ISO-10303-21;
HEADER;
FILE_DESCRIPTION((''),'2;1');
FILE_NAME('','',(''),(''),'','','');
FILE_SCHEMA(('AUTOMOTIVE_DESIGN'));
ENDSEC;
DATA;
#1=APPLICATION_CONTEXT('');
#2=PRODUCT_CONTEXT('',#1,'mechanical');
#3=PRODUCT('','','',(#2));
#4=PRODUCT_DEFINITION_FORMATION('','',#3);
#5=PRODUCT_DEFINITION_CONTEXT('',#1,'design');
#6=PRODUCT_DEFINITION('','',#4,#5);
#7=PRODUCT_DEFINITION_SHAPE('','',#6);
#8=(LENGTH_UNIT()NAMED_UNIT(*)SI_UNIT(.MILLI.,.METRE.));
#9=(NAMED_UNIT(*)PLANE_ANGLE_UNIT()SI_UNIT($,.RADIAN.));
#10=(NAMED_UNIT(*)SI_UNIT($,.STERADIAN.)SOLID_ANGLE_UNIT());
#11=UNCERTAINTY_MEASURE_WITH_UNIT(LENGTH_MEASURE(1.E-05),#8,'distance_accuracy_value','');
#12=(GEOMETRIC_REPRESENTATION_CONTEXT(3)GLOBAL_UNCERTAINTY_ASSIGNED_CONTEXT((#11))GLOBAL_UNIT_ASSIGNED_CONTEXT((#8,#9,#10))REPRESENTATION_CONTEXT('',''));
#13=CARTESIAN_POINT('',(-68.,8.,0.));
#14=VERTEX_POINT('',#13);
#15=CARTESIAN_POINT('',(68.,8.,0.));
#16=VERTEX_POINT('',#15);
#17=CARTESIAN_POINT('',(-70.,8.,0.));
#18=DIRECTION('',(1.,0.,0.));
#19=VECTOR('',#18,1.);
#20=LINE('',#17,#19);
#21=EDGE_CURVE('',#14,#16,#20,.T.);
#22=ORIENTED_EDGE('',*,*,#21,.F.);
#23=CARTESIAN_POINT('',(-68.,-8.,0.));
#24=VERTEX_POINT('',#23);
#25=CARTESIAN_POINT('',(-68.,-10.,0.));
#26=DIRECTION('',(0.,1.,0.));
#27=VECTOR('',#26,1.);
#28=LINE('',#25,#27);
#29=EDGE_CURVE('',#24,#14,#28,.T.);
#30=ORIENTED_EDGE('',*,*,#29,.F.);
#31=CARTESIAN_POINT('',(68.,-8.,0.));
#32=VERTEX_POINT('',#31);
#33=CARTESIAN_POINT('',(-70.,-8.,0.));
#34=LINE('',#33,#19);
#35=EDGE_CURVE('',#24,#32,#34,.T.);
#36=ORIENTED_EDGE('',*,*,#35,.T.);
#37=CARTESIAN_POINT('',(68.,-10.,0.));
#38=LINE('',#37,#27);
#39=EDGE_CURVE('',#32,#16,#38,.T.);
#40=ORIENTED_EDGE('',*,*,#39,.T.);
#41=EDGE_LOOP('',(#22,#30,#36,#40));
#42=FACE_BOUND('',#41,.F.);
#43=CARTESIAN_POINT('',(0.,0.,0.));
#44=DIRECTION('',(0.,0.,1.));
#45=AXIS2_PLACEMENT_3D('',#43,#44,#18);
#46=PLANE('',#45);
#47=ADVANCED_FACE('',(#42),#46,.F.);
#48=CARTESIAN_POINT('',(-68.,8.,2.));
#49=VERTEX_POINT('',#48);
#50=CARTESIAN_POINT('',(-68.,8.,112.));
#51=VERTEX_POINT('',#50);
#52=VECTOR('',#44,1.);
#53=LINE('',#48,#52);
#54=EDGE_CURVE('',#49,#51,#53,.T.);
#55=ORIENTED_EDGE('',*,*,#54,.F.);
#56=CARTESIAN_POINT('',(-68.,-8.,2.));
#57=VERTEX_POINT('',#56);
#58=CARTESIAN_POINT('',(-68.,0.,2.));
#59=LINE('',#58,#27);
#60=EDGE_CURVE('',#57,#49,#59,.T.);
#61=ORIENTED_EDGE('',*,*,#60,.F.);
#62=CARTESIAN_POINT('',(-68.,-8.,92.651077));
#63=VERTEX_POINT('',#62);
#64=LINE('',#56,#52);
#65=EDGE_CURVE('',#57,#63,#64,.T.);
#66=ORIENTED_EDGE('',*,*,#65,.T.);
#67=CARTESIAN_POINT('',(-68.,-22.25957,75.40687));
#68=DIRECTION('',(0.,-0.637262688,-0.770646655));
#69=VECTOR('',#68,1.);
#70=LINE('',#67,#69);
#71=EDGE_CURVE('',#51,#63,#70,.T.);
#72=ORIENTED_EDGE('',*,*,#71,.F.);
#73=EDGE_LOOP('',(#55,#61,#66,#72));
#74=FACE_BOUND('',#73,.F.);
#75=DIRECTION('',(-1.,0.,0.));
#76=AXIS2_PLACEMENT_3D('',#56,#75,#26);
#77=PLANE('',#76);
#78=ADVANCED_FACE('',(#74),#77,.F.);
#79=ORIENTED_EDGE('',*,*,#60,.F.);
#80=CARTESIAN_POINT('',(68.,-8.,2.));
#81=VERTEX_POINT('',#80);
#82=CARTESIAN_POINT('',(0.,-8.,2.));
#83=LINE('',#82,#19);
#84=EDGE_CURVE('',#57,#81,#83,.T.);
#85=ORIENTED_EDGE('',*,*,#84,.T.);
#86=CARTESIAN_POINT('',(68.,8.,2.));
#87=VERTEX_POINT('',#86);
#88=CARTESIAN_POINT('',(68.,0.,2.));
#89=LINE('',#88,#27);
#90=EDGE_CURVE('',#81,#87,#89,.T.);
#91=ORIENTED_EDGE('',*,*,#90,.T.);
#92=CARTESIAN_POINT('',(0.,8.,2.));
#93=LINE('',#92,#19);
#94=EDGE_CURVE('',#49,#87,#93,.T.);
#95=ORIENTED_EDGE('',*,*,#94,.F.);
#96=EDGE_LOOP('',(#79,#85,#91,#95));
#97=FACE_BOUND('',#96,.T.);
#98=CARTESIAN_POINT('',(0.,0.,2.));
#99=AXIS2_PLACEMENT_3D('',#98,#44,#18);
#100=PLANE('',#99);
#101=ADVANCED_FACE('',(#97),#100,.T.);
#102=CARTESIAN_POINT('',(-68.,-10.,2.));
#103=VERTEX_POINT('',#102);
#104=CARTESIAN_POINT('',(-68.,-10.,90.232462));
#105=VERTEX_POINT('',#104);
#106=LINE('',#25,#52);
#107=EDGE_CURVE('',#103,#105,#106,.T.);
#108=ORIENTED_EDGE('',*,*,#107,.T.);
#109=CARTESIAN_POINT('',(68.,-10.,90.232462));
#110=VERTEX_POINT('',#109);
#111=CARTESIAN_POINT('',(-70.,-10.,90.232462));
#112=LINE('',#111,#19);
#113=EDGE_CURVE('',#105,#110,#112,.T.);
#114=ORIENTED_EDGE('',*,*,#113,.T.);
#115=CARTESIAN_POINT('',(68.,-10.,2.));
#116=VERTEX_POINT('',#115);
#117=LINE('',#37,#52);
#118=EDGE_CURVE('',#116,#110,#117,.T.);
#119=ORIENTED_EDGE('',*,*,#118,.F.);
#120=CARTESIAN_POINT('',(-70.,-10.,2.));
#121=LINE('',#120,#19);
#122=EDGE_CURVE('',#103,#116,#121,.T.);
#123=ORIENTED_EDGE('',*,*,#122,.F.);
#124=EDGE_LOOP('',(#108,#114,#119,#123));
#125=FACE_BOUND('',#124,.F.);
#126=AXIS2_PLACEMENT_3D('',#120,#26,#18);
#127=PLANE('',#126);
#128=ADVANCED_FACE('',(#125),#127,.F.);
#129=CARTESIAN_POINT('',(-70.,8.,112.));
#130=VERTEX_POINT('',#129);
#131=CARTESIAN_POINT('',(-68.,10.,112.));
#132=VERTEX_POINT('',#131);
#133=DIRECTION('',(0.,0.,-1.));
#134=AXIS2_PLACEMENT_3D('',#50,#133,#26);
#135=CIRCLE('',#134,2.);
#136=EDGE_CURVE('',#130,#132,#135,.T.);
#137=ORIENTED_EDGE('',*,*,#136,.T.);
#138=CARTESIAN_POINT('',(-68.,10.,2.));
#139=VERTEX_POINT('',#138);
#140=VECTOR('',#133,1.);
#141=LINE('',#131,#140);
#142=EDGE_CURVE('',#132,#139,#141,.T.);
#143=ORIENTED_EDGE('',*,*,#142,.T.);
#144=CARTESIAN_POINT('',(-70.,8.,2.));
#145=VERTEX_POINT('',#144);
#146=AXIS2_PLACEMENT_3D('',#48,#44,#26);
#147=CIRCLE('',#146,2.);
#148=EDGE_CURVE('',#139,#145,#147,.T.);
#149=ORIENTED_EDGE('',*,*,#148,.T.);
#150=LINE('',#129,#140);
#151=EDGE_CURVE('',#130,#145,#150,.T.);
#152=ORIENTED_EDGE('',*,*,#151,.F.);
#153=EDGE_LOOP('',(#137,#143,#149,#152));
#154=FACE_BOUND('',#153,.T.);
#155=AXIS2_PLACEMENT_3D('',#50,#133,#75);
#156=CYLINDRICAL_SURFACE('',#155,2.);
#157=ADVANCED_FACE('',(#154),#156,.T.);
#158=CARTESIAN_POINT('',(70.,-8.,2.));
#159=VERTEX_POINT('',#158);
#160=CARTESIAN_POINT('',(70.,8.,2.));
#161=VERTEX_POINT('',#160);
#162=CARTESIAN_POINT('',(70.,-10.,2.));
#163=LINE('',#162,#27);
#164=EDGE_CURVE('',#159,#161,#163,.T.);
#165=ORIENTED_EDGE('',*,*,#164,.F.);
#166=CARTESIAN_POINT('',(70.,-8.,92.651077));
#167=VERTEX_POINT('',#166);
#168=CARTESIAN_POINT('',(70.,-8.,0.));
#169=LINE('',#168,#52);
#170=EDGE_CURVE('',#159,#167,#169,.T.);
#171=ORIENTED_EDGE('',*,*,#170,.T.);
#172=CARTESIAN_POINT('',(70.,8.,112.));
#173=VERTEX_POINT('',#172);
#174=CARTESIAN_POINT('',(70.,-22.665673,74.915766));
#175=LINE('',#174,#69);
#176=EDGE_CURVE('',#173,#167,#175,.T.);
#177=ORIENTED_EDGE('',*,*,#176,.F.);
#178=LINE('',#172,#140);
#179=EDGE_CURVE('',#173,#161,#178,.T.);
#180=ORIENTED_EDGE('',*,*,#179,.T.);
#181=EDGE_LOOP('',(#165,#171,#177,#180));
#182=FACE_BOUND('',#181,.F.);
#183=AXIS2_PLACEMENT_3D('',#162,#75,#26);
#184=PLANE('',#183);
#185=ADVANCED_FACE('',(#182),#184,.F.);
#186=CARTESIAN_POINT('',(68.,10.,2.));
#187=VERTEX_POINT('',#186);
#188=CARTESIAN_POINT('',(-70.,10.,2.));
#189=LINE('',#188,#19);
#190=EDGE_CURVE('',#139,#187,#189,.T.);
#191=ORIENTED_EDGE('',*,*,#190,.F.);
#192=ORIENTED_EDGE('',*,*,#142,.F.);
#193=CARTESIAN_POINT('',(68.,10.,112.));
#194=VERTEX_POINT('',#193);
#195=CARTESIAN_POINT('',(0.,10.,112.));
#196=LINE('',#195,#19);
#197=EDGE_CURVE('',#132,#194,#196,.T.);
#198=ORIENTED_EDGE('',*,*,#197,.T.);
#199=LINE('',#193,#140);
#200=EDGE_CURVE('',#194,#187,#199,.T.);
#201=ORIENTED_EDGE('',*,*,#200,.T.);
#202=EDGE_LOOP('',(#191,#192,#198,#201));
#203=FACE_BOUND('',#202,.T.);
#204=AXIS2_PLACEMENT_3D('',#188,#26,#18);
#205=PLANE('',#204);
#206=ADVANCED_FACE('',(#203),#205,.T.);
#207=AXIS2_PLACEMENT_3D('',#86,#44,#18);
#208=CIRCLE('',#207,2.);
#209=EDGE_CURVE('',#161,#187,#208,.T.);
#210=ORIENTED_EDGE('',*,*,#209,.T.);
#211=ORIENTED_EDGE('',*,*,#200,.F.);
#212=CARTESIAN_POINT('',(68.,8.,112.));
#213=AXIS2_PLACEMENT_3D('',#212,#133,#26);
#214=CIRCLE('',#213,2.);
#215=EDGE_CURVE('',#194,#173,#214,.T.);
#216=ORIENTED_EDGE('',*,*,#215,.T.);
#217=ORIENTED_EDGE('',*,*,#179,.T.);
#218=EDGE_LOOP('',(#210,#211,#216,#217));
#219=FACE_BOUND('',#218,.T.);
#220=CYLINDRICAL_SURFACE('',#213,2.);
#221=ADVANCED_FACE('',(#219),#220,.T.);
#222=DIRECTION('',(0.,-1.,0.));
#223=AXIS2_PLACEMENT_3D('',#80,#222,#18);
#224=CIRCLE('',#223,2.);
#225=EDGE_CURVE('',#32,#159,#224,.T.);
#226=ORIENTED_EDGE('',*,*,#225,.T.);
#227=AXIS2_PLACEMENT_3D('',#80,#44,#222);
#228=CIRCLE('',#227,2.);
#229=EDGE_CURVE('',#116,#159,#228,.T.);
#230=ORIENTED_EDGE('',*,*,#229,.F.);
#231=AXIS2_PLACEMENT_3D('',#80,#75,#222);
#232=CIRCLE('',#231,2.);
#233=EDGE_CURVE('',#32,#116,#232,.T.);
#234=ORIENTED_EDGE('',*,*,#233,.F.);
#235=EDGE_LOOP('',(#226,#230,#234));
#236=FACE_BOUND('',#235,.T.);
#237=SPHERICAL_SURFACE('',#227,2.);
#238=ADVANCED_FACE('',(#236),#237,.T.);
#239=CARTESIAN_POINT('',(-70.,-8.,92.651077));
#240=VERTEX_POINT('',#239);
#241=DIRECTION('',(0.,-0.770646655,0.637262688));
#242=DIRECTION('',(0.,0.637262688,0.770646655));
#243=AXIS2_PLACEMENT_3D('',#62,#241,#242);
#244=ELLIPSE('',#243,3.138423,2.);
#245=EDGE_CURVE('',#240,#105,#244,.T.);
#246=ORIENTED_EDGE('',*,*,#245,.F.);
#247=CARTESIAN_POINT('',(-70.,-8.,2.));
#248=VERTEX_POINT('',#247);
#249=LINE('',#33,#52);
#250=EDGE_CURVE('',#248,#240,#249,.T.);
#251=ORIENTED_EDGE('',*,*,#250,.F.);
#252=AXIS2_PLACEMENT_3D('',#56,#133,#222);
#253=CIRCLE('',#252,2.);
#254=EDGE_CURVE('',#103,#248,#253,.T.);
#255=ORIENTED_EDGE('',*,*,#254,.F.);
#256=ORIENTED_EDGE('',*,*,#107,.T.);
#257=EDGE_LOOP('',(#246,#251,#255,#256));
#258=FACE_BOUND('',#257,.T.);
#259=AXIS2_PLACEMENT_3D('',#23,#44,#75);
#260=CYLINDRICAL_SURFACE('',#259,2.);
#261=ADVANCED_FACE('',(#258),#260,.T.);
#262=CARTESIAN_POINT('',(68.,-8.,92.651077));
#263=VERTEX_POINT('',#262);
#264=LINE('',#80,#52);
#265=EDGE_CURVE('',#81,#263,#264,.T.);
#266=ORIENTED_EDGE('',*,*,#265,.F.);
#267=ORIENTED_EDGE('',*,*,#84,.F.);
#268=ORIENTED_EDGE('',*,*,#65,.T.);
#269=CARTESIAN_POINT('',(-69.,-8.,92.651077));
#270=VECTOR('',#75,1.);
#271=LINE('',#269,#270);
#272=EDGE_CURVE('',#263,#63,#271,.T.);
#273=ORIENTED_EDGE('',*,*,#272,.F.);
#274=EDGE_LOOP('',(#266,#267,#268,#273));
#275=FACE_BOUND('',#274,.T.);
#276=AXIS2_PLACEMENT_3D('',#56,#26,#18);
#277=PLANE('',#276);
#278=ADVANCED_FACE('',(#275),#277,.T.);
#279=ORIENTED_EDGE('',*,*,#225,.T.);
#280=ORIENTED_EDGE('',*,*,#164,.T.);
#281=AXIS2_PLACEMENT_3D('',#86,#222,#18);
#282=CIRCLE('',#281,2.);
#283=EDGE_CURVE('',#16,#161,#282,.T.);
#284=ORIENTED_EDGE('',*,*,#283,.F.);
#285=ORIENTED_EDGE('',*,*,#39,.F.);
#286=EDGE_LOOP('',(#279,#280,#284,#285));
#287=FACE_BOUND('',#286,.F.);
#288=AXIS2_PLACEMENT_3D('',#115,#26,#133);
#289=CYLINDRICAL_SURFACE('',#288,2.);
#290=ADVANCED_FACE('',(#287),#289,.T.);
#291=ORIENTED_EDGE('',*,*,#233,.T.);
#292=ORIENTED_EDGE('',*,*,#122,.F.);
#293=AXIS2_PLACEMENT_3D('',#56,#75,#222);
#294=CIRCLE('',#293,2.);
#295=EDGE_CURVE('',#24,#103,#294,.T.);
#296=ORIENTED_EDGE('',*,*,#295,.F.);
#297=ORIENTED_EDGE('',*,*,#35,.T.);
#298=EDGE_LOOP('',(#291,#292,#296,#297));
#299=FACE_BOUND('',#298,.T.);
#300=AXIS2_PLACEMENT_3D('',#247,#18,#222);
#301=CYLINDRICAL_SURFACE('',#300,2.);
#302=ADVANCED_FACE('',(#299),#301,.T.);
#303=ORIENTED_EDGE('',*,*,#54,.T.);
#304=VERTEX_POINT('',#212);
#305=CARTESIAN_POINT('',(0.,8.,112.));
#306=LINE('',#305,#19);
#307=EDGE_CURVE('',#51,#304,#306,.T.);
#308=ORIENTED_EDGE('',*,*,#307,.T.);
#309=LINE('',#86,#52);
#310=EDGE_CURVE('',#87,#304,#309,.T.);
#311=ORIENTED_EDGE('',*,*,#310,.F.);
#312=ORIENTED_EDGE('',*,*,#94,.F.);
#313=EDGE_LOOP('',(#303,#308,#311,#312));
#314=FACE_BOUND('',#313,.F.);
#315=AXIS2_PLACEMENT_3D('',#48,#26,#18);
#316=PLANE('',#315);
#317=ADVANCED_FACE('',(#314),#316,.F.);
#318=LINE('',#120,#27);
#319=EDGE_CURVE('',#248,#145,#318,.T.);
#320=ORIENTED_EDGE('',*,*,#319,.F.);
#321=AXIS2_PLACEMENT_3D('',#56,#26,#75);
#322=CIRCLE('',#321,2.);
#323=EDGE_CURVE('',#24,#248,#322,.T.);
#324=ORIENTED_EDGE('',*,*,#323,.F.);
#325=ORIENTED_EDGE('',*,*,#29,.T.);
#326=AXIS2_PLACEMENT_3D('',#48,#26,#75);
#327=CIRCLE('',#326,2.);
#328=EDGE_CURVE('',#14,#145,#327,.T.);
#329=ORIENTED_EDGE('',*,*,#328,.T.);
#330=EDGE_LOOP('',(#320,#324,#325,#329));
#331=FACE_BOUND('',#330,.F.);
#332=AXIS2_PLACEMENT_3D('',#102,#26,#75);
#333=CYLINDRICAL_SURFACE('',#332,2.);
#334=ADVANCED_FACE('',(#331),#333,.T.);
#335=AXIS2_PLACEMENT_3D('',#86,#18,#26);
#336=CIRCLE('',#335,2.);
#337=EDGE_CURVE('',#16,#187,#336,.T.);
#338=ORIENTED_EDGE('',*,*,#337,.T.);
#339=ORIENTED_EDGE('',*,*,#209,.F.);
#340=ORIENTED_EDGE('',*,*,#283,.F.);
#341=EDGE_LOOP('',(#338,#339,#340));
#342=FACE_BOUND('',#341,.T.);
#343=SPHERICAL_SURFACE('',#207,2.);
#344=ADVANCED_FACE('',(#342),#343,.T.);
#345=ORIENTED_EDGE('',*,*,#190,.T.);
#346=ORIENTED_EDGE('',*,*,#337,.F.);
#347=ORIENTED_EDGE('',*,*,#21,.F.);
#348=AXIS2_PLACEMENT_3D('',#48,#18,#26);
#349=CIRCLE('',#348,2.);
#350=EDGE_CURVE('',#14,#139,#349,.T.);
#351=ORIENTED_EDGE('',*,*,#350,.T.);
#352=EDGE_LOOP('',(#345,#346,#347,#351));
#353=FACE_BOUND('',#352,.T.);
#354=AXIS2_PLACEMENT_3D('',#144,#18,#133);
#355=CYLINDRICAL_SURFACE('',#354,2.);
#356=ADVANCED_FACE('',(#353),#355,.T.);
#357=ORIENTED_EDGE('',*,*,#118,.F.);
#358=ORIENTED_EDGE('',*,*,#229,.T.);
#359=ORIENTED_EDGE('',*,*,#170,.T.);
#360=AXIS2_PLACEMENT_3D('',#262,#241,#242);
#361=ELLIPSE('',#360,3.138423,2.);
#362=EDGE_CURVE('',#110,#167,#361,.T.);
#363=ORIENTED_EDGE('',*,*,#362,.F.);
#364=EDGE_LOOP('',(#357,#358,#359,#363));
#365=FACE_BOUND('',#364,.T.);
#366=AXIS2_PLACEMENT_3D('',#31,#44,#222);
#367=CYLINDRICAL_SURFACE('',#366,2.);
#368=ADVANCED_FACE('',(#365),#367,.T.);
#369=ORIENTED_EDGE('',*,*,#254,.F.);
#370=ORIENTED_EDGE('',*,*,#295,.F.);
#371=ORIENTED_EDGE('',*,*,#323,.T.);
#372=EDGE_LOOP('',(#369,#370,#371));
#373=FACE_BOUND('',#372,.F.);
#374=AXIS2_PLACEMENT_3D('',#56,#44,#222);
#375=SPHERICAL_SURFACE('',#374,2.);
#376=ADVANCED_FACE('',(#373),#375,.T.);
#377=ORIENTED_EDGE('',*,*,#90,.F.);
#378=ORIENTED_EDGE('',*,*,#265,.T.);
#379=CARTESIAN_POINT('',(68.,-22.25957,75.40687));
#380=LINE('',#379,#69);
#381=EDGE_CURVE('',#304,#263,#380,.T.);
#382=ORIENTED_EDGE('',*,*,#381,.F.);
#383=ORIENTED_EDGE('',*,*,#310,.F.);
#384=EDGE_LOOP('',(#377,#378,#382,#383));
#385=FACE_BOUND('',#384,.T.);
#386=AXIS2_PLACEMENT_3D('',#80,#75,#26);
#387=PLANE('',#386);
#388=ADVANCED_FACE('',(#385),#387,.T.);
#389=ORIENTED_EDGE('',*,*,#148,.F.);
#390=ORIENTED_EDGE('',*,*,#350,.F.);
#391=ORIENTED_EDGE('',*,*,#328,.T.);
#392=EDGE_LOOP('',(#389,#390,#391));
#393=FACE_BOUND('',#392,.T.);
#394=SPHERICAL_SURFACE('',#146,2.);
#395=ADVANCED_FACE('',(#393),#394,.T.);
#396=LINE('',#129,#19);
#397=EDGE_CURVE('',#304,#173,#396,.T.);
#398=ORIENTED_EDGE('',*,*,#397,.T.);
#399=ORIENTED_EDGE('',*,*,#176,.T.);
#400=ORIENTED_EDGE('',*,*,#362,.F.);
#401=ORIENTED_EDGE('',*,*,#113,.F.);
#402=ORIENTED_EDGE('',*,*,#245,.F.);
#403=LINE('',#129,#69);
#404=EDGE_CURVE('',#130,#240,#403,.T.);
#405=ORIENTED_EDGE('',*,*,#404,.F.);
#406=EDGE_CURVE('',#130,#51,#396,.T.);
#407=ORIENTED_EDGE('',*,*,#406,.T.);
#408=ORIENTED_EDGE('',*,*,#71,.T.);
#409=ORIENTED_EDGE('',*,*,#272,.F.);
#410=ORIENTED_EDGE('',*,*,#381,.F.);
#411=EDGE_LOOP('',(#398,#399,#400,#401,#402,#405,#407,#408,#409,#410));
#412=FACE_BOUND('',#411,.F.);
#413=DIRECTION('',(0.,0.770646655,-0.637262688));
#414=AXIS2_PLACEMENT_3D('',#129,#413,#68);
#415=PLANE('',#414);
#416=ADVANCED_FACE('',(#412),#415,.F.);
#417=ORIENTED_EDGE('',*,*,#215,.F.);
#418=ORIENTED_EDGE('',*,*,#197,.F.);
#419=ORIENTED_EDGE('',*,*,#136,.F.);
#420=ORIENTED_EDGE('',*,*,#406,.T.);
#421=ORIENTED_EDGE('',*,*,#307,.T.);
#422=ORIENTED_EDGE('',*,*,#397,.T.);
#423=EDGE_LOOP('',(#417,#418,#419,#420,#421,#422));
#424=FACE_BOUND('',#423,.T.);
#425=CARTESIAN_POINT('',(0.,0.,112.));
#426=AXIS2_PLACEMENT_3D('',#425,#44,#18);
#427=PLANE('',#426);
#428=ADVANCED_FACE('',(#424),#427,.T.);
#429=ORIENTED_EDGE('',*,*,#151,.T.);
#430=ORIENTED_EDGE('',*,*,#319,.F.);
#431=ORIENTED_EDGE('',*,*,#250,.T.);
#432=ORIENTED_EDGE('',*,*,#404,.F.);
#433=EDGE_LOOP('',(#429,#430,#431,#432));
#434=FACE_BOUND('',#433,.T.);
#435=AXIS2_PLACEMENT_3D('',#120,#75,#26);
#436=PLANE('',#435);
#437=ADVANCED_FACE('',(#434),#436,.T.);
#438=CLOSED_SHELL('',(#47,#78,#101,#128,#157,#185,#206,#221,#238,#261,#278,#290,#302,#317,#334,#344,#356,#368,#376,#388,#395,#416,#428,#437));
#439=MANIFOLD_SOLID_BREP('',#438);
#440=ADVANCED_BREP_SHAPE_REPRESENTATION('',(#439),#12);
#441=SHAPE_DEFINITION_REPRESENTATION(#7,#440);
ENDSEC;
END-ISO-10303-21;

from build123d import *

# Parameters (mm, degrees)
F0_W     = 140
F0_H     = 20
F1_DEPTH = 2
F2_W     = 140
F2_H     = 20
F2_W_2   = 136
F2_H_2   = 16
F3_DEPTH = 110
F5_DEPTH = 160
F6_R     = 2


with BuildPart() as f1:
    # F0 (on Top) → F1 (new body)
    with BuildSketch(Plane.XY):
        Rectangle(F0_W, F0_H)
    extrude(amount=F1_DEPTH)

    # F2 (on face) → F3 (join)
    with BuildSketch(Plane.XY.offset(2)):
        Rectangle(F2_W, F2_H)
        Rectangle(F2_W_2, F2_H_2, mode=Mode.SUBTRACT)
    extrude(amount=F3_DEPTH)

    # F4 (on face) → F5 (cut)
    with BuildSketch(Plane(origin=(-70, 0, 0), x_dir=(0, -1, 0), z_dir=(-1, 0, 0))):
        Polygon((10, 112), (-8, 112), (10, 90.232462), align=None)
    extrude(amount=-F5_DEPTH, mode=Mode.SUBTRACT)

    # F6
    f6_edges = [f1.edges().sort_by_distance(p)[0] for p in [
        (-70, -10, 45.116231),
        (70, -10, 45.116231),
        (-70, 10, 56),
        (70, 10, 56),
        (0, -10, 0),
        (70, 0, 0),
        (0, 10, 0),
        (-70, 0, 0),
    ]]
    fillet(f6_edges, radius=F6_R)


solid = f1.part
